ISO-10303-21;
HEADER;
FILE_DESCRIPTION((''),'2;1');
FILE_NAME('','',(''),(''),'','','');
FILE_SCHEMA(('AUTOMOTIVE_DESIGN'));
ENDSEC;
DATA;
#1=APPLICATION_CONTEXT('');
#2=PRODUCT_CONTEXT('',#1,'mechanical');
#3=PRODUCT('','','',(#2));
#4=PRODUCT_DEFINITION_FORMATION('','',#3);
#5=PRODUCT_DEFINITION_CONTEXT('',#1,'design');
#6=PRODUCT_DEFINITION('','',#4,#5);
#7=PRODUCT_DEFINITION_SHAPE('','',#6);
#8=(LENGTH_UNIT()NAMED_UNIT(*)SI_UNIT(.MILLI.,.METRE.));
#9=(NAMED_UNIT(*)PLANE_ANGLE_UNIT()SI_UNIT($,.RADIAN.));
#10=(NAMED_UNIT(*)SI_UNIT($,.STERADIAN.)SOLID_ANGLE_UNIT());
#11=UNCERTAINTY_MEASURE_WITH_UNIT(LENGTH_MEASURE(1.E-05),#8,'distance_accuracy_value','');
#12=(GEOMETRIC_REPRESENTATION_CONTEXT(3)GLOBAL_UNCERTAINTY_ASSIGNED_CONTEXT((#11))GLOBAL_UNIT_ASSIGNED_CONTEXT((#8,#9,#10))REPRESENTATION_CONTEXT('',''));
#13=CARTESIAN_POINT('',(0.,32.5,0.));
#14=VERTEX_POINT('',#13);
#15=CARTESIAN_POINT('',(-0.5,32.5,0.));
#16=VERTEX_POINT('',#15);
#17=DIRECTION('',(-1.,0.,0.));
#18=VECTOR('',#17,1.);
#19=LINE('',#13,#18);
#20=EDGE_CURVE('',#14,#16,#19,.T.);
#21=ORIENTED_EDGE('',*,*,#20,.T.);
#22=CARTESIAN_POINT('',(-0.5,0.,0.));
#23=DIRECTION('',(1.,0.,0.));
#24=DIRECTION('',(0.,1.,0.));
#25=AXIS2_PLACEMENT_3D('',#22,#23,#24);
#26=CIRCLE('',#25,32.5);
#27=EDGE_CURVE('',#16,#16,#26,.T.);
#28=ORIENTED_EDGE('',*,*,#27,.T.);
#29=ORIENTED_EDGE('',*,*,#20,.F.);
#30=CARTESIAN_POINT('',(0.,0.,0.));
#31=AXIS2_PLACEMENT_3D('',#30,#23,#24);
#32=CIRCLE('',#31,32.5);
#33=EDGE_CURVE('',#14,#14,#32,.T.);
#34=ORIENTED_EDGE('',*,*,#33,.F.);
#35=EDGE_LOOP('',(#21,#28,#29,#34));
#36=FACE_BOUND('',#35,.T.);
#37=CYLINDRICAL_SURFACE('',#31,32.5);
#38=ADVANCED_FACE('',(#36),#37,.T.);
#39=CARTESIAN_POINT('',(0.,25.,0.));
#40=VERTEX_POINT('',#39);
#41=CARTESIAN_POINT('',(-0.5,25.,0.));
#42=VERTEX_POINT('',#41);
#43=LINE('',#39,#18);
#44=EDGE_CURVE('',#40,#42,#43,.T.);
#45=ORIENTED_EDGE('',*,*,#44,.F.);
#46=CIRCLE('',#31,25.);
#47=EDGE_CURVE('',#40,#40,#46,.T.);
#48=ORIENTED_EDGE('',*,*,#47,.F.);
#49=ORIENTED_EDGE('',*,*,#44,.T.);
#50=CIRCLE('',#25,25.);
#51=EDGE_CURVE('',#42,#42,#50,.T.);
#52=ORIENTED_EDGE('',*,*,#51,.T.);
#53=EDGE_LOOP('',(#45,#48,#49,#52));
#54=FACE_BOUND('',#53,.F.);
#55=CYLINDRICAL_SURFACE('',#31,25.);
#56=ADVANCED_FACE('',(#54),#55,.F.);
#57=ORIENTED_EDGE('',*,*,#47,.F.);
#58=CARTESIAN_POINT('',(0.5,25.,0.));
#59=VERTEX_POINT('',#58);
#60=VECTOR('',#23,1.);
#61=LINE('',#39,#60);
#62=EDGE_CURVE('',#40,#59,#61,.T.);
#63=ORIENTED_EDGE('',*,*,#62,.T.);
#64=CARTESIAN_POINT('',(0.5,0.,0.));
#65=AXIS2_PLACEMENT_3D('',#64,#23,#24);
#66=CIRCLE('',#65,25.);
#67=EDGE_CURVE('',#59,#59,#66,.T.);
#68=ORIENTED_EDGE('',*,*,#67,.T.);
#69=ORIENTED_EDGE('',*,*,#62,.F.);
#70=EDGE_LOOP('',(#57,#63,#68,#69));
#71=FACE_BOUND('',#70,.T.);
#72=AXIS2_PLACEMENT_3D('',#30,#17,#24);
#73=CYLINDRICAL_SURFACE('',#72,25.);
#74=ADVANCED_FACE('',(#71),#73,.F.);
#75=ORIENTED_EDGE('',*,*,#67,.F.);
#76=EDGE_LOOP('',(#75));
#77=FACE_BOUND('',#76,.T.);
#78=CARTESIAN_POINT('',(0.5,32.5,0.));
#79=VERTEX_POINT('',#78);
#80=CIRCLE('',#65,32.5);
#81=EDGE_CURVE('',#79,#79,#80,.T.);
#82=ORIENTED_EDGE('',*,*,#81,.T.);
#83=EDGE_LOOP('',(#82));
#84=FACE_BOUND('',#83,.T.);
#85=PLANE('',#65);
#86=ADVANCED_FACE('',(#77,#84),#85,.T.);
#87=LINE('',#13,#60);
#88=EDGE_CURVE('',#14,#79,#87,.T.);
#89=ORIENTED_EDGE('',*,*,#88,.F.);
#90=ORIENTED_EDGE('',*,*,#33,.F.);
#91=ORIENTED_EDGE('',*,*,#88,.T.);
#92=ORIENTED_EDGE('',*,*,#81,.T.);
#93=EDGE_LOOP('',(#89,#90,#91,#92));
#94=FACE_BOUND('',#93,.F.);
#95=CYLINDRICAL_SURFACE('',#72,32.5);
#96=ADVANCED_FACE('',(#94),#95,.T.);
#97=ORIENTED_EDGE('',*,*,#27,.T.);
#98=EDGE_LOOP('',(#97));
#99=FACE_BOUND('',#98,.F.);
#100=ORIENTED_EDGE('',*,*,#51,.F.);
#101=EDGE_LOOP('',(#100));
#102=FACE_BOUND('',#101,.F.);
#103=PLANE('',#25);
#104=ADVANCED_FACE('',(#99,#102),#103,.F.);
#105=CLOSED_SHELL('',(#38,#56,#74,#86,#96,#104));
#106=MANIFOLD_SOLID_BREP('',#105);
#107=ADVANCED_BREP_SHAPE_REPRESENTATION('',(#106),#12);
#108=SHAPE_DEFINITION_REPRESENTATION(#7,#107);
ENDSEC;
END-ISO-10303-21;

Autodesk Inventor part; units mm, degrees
ref_plane "YZ Plane" through (0, 0, 0) normal (1, 0, 0) x (0, 1, 0)
ref_plane "XZ Plane" through (0, 0, 0) normal (0, 1, 0) x (-1, 0, 0)
ref_plane "XY Plane" through (0, 0, 0) normal (0, 0, 1) x (1, 0, 0)
sketch "스케치1" plane through (0, 0, 0) normal (1, 0, 0) x (0, 1, 0)
  circle A0 centre (0, 0) radius 32.5
  circle A1 centre (0, 0) radius 25
  dimension "d0" = 65
  dimension "d1" = 50
extrude "돌출1" add sketch "스케치1" along normal mid plane 1
equation "\"d1\" = joint4_axis3_d2"
equation "\"joint4_belt_centor\" = 157.367"
equation "\"joint4_axis2_L\" = 58.803"
equation "\"joint4_axis2_b1\" = 35"
equation "\"joint4_axis2_d\" = 19"
equation "\"joint4_miter_m\" = 2"
equation "\"joint4_miter_a\" = 20deg"
equation "\"joint4_miter_z\" = 79"
equation "\"joint4_miter_b\" = 6.90139"
equation "\"joint4_axis3_L\" = 23.5"
equation "\"joint4_axis3_d2\" = 50"
equation "\"joint3_belt_centor\" = 157.367"
equation "\"joint3_axis2_L\" = 63.75"
equation "\"joint3_axis2_b1\" = 38"
equation "\"joint3_axis2_d\" = 29"
equation "\"joint3_planetary_m\" = 2"
equation "\"joint3_planetary_a\" = 20deg"
equation "\"joint3_planetary_np\" = 4"
equation "\"joint3_sun_b\" = 19"
equation "\"joint3_planet_b\" = 19"
equation "\"joint3_ring_b\" = 18"
equation "\"joint3_axis3_d\" = 29"
equation "\"joint3_miter_m\" = 4"
equation "\"joint3_miter_a\" = 20deg"
equation "\"joint3_miter_z\" = 28"
equation "\"joint3_miter_b\" = 25.07657"
equation "\"joint3_axis4_L\" = 43.706"
equation "\"joint3_miter_z2\" = 39"
equation "\"joint3_miter_z1\" = 26"
properties part number "joint4_axis3_washer_2" material "PLA filament"
